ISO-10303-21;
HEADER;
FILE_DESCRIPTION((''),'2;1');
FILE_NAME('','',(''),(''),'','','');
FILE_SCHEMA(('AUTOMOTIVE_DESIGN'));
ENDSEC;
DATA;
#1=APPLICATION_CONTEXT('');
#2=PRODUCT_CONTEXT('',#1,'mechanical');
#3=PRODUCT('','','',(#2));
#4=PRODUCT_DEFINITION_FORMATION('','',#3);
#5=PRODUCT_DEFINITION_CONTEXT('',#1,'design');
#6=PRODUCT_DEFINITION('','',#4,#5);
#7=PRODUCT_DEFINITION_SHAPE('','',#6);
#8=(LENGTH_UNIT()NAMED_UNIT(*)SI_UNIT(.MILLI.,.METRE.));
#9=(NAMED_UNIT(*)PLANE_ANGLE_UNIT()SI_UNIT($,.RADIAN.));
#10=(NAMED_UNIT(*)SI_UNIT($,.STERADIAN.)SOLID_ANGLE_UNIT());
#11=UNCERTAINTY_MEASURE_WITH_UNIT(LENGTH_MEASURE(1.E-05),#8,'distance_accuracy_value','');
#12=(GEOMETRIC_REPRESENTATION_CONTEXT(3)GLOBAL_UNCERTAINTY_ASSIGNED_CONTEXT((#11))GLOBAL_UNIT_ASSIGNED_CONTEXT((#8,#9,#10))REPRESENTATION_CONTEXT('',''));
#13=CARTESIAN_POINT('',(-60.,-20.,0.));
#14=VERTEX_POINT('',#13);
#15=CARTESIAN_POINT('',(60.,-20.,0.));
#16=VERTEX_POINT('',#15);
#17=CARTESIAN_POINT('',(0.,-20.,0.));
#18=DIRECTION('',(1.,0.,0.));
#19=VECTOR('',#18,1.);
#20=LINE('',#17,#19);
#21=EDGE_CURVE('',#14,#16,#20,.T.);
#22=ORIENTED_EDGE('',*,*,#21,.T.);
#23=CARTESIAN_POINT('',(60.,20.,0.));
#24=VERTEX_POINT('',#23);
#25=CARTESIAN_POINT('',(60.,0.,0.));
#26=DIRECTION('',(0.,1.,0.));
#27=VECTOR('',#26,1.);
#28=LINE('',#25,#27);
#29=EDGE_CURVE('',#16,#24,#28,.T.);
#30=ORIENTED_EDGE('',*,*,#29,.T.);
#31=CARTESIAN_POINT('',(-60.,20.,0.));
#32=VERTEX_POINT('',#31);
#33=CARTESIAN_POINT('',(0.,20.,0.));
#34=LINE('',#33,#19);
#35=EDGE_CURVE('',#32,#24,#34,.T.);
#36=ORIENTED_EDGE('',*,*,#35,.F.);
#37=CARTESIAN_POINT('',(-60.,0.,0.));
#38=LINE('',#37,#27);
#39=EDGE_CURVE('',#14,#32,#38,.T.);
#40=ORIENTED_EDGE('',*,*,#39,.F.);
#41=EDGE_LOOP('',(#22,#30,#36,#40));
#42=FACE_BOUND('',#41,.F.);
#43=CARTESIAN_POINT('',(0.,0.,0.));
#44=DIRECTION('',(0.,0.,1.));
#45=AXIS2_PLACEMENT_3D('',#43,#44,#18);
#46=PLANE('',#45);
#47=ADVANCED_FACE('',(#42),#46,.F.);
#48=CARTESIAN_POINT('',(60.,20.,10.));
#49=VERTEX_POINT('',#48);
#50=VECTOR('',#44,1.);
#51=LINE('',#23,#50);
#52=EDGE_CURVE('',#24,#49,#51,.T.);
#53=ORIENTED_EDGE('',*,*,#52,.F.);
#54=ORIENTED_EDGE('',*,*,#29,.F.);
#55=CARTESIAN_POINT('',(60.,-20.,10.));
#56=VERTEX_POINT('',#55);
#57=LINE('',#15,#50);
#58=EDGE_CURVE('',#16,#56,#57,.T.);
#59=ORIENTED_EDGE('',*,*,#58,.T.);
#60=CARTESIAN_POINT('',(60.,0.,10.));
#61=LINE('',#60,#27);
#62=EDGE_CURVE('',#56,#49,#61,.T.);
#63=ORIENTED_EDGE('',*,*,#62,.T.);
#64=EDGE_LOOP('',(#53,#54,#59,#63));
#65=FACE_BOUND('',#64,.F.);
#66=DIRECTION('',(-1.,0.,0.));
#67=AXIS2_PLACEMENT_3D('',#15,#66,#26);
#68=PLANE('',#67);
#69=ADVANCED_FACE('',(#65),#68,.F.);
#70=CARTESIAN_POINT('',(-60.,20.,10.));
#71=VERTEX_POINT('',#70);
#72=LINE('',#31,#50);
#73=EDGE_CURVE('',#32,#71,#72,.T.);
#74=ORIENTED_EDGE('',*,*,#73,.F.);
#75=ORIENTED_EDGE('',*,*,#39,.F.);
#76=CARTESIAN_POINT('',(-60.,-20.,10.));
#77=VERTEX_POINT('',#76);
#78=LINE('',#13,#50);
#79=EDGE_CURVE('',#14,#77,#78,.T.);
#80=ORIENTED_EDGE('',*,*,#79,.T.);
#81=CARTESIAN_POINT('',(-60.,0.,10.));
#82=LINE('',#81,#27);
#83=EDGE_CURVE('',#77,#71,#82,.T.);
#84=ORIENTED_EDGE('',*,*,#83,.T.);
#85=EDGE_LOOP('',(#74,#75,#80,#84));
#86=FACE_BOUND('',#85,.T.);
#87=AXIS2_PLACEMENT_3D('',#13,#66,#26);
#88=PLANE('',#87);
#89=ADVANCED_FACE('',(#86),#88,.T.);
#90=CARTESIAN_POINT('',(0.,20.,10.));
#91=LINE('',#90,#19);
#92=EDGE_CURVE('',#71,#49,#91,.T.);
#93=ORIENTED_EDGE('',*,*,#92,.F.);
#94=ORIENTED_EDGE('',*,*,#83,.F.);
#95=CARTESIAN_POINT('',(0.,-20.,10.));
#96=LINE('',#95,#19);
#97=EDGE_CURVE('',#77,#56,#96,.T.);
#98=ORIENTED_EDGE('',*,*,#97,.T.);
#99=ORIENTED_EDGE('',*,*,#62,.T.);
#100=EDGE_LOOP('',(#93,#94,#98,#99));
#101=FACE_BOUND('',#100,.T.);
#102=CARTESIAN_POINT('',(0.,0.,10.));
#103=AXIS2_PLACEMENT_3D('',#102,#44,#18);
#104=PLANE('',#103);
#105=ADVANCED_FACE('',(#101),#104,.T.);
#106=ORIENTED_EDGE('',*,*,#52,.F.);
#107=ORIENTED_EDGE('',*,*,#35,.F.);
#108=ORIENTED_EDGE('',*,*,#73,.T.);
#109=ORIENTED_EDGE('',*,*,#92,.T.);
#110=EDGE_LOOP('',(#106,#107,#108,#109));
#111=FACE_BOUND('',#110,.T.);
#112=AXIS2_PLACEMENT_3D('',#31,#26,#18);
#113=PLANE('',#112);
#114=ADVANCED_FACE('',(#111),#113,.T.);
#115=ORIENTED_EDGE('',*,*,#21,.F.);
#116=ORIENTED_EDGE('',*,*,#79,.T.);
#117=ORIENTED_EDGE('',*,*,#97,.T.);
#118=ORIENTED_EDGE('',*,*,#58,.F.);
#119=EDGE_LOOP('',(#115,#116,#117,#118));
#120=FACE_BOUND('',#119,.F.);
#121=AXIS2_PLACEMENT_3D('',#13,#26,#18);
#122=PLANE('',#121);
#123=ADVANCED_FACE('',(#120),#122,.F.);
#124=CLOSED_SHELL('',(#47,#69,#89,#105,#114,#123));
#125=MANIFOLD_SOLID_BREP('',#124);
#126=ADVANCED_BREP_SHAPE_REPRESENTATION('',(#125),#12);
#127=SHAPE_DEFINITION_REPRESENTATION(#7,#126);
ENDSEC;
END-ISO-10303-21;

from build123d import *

# Parameters (mm, degrees)
SKETCH1_W           = 120
SKETCH1_H           = 40
BOSS_EXTRUDE1_DEPTH = 10


with BuildPart() as part:
    # Sketch1 → Boss-Extrude1 (new body)
    with BuildSketch(Plane.XY):
        Rectangle(SKETCH1_W, SKETCH1_H)
    extrude(amount=BOSS_EXTRUDE1_DEPTH)


solid = part.part
